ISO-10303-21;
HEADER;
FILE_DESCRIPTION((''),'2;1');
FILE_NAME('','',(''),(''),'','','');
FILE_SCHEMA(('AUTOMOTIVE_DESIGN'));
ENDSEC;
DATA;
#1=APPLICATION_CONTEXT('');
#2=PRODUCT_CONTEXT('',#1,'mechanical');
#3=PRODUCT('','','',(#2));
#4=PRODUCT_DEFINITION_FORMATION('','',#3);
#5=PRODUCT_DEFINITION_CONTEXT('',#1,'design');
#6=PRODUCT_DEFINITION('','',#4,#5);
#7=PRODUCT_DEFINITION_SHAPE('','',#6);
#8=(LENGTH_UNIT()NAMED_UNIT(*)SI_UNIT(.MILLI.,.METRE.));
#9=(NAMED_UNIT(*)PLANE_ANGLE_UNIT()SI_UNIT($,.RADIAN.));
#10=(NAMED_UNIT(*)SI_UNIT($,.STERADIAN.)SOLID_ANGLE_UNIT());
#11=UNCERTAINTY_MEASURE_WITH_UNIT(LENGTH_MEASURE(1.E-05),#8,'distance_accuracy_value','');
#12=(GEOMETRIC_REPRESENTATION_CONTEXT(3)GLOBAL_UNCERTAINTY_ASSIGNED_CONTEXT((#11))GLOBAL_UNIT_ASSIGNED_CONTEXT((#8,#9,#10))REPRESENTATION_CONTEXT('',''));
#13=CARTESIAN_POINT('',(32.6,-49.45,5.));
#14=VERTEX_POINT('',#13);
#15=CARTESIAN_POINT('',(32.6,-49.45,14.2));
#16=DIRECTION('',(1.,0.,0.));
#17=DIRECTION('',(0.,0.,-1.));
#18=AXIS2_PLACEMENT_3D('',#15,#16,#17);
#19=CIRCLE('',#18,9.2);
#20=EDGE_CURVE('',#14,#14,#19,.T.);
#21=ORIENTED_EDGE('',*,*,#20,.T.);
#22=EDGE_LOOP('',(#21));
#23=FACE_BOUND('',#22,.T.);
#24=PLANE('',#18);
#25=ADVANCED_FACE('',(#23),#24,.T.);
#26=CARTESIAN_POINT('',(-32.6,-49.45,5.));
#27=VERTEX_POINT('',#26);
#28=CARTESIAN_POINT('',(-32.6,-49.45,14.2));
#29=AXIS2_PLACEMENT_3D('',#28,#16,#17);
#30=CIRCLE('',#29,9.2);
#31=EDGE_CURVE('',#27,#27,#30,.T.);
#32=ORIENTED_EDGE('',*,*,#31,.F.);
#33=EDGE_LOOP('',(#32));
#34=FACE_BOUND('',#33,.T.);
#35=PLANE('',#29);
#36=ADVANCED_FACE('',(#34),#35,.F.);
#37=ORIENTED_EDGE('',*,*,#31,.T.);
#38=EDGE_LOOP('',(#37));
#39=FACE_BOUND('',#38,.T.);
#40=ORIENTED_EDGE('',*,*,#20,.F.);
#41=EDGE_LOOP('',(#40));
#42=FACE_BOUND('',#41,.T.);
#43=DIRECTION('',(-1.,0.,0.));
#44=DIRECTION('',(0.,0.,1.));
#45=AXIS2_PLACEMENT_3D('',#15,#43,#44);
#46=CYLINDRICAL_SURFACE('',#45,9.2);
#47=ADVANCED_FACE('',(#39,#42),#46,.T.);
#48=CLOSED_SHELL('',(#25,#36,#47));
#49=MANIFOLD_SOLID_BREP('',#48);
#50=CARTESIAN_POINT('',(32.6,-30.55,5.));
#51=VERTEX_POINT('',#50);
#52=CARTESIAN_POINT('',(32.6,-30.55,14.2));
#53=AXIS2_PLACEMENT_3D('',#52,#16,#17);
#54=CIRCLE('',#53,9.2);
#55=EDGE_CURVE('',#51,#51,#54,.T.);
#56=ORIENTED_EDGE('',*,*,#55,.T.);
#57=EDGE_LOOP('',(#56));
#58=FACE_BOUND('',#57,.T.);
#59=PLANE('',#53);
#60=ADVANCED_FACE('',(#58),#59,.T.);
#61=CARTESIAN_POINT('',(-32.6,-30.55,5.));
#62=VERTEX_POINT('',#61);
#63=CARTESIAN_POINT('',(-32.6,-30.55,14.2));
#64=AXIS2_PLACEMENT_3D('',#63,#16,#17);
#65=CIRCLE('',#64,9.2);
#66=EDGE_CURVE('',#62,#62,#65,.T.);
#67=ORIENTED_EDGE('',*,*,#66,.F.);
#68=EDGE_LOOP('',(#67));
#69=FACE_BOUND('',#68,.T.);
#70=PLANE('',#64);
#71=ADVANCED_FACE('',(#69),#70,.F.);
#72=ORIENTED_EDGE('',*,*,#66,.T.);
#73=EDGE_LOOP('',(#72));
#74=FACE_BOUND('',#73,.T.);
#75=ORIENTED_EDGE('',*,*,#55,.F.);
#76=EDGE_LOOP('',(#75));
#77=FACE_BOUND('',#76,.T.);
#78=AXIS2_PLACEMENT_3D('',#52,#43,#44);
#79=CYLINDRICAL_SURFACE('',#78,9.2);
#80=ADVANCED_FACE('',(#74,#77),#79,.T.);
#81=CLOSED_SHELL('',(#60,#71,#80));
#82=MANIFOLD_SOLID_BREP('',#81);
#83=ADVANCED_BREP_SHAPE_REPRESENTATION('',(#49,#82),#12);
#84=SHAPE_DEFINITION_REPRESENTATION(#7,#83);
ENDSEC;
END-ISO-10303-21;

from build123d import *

# Parameters (mm, degrees)
SKETCH1_R           = 9.2
BOSS_EXTRUDE1_DEPTH = 65.2
SKETCH2_R           = 9.2
BOSS_EXTRUDE2_DEPTH = 65.2


with BuildPart() as part:
    # Sketch1 → Boss-Extrude1 (new body)
    with BuildSketch(Plane(origin=(-32.6, 0, 0), x_dir=(0, 0, -1), z_dir=(1, 0, 0))):
        with Locations((-14.2, -49.45)):
            Circle(SKETCH1_R)
    extrude(amount=BOSS_EXTRUDE1_DEPTH)


with BuildPart() as body_2:
    # Sketch2 → Boss-Extrude2 (new body)
    with BuildSketch(Plane(origin=(-32.6, 0, 0), x_dir=(0, 0, -1), z_dir=(1, 0, 0))):
        with Locations((-14.2, -30.55)):
            Circle(SKETCH2_R)
    extrude(amount=BOSS_EXTRUDE2_DEPTH)


solid = Compound([part.part, body_2.part])
